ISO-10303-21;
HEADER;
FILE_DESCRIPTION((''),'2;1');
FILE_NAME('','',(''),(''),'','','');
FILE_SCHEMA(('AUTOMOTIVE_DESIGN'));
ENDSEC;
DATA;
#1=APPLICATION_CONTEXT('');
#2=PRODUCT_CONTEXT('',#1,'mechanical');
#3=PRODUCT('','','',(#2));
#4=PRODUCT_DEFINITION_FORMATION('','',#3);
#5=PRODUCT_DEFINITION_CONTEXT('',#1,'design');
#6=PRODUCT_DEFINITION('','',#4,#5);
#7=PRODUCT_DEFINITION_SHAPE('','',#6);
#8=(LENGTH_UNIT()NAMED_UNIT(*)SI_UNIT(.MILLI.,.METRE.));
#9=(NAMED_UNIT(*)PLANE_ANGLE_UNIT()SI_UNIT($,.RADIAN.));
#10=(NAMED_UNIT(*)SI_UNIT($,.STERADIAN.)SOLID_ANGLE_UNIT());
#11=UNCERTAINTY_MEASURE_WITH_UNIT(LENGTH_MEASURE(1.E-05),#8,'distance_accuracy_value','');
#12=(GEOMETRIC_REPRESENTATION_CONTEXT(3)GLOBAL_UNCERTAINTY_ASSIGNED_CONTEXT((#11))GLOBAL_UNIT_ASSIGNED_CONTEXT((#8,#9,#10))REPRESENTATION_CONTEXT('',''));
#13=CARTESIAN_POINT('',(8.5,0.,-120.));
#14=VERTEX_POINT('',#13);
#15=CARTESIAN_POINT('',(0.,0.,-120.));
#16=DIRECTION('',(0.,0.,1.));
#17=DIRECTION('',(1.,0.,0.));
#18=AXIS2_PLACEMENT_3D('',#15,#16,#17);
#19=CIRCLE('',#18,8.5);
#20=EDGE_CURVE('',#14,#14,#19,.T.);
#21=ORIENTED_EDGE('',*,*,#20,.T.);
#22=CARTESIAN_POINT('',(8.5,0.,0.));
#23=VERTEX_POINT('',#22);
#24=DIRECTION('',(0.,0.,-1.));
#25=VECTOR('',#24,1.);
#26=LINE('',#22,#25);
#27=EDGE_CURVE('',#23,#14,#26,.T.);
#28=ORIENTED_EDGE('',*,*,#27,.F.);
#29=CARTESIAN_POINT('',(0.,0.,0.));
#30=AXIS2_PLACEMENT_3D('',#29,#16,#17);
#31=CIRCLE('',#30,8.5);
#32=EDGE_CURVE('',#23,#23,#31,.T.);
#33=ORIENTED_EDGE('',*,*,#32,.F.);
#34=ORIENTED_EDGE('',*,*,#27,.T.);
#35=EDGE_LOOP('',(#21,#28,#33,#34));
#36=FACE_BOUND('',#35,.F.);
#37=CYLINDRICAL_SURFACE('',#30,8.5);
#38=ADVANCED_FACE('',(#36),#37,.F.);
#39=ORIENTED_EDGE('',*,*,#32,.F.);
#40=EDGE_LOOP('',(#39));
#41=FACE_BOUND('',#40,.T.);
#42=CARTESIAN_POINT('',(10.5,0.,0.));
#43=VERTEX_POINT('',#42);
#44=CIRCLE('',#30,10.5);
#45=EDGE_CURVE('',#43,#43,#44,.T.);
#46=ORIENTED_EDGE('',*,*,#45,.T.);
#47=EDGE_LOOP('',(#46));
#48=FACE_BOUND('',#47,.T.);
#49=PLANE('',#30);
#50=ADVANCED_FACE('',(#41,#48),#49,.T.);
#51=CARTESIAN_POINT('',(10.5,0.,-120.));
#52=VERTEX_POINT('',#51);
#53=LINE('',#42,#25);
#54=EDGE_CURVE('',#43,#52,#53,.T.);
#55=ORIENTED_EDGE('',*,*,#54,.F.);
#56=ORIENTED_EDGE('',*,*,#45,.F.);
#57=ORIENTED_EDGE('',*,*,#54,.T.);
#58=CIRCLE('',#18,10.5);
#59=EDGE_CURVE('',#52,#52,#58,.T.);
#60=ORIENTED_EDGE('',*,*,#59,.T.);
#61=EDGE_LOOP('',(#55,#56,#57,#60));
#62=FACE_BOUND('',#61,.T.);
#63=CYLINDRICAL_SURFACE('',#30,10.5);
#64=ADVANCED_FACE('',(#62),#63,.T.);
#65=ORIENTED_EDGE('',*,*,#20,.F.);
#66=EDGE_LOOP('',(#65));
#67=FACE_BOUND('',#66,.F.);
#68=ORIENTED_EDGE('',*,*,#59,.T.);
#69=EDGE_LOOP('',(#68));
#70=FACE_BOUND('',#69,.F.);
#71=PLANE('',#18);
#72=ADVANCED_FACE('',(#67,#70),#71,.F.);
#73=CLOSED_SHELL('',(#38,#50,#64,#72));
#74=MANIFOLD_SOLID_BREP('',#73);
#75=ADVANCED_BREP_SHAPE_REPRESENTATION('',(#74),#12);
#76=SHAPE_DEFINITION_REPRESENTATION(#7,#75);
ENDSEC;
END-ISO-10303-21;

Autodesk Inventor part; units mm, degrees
ref_plane "YZ Plane" through (0, 0, 0) normal (1, 0, 0) x (0, 1, 0)
ref_plane "XZ Plane" through (0, 0, 0) normal (0, 1, 0) x (-1, 0, 0)
ref_plane "XY Plane" through (0, 0, 0) normal (0, 0, 1) x (1, 0, 0)
sketch "Sketch11" plane through (0, 0, 0) normal (0, 0, 1) x (1, 0, 0)
  circle A0 centre (0, 0) radius 10.5
  circle A1 centre (0, 0) radius 8.5
  dimension "d187" = 21
  dimension "d188" = 2
extrude "Extrusion5" add sketch "Sketch11" against normal blind 120
properties part number "PNS 757 FDS 1200 way tube 4_1600" material "Stainless Steel"
